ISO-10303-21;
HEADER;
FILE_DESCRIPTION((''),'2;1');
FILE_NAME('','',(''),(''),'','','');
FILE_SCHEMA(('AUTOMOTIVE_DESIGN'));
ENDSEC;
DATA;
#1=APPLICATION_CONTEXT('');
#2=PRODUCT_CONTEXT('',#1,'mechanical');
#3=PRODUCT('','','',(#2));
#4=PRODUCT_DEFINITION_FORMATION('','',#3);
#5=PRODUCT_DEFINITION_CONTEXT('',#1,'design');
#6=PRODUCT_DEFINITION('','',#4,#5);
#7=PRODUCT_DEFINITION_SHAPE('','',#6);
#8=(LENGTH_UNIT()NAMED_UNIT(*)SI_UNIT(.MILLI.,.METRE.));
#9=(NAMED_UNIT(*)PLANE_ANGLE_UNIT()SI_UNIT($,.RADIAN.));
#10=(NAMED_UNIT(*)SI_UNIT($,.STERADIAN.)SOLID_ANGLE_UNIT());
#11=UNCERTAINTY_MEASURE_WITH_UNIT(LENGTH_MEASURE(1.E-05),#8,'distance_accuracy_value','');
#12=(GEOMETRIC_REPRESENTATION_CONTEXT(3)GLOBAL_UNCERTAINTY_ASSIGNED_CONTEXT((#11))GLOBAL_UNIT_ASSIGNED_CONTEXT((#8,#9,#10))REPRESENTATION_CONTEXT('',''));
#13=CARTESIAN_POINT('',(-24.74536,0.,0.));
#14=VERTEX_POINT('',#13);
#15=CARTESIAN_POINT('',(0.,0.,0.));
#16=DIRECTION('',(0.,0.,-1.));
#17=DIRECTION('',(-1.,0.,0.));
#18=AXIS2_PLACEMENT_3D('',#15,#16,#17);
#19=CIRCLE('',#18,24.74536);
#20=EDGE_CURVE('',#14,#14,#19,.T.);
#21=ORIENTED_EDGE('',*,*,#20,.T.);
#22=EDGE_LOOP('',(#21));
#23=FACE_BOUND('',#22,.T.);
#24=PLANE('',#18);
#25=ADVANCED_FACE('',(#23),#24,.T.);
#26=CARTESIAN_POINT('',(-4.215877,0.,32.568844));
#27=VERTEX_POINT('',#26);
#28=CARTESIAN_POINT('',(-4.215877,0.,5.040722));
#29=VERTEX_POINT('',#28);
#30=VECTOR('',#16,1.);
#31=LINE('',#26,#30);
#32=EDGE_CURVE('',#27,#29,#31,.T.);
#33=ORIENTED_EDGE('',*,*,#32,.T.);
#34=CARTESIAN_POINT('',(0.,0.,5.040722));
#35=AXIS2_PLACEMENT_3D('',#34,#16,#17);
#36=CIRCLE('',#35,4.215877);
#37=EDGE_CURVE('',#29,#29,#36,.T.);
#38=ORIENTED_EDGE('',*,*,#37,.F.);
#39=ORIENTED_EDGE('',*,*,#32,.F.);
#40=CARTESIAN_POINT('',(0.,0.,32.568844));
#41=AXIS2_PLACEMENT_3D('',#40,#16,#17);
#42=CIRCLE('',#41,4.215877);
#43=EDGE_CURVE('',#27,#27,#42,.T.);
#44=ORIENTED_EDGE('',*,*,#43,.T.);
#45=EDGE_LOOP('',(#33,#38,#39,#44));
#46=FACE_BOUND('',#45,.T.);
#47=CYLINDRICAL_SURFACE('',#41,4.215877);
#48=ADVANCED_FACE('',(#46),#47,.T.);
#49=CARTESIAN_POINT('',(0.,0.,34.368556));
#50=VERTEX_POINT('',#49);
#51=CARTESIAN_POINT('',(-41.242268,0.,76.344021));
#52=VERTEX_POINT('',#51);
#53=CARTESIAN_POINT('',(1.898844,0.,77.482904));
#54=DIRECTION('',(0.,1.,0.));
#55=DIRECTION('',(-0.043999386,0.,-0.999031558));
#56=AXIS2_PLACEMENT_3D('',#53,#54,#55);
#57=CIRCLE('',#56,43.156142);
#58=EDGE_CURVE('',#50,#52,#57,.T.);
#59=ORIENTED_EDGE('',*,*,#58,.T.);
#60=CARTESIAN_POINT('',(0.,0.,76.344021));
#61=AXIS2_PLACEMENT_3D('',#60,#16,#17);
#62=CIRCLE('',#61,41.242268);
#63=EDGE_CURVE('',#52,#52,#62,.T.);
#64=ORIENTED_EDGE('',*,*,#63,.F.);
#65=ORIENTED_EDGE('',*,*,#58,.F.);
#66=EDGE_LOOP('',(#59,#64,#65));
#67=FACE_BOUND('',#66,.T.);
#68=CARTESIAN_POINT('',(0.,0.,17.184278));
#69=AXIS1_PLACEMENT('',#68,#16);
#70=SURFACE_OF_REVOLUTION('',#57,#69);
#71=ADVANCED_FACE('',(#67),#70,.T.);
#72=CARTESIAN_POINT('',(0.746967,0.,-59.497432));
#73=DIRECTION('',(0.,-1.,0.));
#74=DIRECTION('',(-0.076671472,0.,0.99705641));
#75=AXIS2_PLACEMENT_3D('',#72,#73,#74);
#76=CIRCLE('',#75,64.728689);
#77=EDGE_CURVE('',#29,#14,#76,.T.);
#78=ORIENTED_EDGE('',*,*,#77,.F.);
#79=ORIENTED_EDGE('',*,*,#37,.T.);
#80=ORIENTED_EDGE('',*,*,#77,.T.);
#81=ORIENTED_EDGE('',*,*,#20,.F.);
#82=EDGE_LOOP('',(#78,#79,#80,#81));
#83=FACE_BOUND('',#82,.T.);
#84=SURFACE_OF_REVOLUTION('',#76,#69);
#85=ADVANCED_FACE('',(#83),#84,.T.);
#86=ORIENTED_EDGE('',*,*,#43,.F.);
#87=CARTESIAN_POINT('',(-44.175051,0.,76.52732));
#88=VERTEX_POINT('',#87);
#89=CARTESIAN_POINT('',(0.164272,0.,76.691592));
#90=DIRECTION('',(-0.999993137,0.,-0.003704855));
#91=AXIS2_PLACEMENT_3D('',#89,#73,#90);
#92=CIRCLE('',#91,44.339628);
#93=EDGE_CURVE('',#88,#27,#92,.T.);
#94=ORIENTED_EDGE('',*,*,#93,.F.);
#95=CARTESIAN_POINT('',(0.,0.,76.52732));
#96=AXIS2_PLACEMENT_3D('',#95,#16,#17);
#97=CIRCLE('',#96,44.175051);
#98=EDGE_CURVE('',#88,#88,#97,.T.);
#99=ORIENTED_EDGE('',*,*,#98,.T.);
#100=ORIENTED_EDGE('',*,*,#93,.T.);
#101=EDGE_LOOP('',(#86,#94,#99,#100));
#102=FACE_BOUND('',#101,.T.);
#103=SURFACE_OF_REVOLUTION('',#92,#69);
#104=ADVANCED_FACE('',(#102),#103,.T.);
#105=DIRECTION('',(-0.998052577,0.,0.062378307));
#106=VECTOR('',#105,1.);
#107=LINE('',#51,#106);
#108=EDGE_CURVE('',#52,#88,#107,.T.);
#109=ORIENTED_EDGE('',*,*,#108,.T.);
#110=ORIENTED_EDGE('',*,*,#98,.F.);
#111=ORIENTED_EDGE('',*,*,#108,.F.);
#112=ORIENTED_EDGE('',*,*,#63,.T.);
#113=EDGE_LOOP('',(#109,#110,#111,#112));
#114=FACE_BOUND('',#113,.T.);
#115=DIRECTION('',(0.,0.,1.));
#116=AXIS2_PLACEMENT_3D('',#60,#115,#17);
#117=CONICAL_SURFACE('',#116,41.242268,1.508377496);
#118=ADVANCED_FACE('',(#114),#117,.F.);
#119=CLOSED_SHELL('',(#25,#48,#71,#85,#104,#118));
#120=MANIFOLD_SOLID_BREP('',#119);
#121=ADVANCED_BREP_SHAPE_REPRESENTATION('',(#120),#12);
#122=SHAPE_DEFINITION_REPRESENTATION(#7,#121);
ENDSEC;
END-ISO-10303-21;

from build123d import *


with BuildPart() as f1:
    # F0 (on Front) → F1 (revolve)
    with BuildSketch(Plane.XZ):
        with BuildLine():
            Line((-41.242268, 76.344021), (-44.175051, 76.52732))
            ThreePointArc((-44.175051, 76.52732), (-32.645538, 46.866788), (-4.215877, 32.568844))
            Line((-4.215877, 32.568844), (-4.215877, 5.040722))
            ThreePointArc((-4.215877, 5.040722), (-14.687785, 3.364095), (-24.74536, 0))
            Line((-24.74536, 0), (0, 0))
            Line((0, 0), (0, 34.368556))
            ThreePointArc((0, 34.368556), (-28.884826, 47.236941), (-41.242268, 76.344021))
        make_face()
    revolve(axis=Axis((0, 0, 17.184278), (0, 0, -1)))


solid = f1.part
